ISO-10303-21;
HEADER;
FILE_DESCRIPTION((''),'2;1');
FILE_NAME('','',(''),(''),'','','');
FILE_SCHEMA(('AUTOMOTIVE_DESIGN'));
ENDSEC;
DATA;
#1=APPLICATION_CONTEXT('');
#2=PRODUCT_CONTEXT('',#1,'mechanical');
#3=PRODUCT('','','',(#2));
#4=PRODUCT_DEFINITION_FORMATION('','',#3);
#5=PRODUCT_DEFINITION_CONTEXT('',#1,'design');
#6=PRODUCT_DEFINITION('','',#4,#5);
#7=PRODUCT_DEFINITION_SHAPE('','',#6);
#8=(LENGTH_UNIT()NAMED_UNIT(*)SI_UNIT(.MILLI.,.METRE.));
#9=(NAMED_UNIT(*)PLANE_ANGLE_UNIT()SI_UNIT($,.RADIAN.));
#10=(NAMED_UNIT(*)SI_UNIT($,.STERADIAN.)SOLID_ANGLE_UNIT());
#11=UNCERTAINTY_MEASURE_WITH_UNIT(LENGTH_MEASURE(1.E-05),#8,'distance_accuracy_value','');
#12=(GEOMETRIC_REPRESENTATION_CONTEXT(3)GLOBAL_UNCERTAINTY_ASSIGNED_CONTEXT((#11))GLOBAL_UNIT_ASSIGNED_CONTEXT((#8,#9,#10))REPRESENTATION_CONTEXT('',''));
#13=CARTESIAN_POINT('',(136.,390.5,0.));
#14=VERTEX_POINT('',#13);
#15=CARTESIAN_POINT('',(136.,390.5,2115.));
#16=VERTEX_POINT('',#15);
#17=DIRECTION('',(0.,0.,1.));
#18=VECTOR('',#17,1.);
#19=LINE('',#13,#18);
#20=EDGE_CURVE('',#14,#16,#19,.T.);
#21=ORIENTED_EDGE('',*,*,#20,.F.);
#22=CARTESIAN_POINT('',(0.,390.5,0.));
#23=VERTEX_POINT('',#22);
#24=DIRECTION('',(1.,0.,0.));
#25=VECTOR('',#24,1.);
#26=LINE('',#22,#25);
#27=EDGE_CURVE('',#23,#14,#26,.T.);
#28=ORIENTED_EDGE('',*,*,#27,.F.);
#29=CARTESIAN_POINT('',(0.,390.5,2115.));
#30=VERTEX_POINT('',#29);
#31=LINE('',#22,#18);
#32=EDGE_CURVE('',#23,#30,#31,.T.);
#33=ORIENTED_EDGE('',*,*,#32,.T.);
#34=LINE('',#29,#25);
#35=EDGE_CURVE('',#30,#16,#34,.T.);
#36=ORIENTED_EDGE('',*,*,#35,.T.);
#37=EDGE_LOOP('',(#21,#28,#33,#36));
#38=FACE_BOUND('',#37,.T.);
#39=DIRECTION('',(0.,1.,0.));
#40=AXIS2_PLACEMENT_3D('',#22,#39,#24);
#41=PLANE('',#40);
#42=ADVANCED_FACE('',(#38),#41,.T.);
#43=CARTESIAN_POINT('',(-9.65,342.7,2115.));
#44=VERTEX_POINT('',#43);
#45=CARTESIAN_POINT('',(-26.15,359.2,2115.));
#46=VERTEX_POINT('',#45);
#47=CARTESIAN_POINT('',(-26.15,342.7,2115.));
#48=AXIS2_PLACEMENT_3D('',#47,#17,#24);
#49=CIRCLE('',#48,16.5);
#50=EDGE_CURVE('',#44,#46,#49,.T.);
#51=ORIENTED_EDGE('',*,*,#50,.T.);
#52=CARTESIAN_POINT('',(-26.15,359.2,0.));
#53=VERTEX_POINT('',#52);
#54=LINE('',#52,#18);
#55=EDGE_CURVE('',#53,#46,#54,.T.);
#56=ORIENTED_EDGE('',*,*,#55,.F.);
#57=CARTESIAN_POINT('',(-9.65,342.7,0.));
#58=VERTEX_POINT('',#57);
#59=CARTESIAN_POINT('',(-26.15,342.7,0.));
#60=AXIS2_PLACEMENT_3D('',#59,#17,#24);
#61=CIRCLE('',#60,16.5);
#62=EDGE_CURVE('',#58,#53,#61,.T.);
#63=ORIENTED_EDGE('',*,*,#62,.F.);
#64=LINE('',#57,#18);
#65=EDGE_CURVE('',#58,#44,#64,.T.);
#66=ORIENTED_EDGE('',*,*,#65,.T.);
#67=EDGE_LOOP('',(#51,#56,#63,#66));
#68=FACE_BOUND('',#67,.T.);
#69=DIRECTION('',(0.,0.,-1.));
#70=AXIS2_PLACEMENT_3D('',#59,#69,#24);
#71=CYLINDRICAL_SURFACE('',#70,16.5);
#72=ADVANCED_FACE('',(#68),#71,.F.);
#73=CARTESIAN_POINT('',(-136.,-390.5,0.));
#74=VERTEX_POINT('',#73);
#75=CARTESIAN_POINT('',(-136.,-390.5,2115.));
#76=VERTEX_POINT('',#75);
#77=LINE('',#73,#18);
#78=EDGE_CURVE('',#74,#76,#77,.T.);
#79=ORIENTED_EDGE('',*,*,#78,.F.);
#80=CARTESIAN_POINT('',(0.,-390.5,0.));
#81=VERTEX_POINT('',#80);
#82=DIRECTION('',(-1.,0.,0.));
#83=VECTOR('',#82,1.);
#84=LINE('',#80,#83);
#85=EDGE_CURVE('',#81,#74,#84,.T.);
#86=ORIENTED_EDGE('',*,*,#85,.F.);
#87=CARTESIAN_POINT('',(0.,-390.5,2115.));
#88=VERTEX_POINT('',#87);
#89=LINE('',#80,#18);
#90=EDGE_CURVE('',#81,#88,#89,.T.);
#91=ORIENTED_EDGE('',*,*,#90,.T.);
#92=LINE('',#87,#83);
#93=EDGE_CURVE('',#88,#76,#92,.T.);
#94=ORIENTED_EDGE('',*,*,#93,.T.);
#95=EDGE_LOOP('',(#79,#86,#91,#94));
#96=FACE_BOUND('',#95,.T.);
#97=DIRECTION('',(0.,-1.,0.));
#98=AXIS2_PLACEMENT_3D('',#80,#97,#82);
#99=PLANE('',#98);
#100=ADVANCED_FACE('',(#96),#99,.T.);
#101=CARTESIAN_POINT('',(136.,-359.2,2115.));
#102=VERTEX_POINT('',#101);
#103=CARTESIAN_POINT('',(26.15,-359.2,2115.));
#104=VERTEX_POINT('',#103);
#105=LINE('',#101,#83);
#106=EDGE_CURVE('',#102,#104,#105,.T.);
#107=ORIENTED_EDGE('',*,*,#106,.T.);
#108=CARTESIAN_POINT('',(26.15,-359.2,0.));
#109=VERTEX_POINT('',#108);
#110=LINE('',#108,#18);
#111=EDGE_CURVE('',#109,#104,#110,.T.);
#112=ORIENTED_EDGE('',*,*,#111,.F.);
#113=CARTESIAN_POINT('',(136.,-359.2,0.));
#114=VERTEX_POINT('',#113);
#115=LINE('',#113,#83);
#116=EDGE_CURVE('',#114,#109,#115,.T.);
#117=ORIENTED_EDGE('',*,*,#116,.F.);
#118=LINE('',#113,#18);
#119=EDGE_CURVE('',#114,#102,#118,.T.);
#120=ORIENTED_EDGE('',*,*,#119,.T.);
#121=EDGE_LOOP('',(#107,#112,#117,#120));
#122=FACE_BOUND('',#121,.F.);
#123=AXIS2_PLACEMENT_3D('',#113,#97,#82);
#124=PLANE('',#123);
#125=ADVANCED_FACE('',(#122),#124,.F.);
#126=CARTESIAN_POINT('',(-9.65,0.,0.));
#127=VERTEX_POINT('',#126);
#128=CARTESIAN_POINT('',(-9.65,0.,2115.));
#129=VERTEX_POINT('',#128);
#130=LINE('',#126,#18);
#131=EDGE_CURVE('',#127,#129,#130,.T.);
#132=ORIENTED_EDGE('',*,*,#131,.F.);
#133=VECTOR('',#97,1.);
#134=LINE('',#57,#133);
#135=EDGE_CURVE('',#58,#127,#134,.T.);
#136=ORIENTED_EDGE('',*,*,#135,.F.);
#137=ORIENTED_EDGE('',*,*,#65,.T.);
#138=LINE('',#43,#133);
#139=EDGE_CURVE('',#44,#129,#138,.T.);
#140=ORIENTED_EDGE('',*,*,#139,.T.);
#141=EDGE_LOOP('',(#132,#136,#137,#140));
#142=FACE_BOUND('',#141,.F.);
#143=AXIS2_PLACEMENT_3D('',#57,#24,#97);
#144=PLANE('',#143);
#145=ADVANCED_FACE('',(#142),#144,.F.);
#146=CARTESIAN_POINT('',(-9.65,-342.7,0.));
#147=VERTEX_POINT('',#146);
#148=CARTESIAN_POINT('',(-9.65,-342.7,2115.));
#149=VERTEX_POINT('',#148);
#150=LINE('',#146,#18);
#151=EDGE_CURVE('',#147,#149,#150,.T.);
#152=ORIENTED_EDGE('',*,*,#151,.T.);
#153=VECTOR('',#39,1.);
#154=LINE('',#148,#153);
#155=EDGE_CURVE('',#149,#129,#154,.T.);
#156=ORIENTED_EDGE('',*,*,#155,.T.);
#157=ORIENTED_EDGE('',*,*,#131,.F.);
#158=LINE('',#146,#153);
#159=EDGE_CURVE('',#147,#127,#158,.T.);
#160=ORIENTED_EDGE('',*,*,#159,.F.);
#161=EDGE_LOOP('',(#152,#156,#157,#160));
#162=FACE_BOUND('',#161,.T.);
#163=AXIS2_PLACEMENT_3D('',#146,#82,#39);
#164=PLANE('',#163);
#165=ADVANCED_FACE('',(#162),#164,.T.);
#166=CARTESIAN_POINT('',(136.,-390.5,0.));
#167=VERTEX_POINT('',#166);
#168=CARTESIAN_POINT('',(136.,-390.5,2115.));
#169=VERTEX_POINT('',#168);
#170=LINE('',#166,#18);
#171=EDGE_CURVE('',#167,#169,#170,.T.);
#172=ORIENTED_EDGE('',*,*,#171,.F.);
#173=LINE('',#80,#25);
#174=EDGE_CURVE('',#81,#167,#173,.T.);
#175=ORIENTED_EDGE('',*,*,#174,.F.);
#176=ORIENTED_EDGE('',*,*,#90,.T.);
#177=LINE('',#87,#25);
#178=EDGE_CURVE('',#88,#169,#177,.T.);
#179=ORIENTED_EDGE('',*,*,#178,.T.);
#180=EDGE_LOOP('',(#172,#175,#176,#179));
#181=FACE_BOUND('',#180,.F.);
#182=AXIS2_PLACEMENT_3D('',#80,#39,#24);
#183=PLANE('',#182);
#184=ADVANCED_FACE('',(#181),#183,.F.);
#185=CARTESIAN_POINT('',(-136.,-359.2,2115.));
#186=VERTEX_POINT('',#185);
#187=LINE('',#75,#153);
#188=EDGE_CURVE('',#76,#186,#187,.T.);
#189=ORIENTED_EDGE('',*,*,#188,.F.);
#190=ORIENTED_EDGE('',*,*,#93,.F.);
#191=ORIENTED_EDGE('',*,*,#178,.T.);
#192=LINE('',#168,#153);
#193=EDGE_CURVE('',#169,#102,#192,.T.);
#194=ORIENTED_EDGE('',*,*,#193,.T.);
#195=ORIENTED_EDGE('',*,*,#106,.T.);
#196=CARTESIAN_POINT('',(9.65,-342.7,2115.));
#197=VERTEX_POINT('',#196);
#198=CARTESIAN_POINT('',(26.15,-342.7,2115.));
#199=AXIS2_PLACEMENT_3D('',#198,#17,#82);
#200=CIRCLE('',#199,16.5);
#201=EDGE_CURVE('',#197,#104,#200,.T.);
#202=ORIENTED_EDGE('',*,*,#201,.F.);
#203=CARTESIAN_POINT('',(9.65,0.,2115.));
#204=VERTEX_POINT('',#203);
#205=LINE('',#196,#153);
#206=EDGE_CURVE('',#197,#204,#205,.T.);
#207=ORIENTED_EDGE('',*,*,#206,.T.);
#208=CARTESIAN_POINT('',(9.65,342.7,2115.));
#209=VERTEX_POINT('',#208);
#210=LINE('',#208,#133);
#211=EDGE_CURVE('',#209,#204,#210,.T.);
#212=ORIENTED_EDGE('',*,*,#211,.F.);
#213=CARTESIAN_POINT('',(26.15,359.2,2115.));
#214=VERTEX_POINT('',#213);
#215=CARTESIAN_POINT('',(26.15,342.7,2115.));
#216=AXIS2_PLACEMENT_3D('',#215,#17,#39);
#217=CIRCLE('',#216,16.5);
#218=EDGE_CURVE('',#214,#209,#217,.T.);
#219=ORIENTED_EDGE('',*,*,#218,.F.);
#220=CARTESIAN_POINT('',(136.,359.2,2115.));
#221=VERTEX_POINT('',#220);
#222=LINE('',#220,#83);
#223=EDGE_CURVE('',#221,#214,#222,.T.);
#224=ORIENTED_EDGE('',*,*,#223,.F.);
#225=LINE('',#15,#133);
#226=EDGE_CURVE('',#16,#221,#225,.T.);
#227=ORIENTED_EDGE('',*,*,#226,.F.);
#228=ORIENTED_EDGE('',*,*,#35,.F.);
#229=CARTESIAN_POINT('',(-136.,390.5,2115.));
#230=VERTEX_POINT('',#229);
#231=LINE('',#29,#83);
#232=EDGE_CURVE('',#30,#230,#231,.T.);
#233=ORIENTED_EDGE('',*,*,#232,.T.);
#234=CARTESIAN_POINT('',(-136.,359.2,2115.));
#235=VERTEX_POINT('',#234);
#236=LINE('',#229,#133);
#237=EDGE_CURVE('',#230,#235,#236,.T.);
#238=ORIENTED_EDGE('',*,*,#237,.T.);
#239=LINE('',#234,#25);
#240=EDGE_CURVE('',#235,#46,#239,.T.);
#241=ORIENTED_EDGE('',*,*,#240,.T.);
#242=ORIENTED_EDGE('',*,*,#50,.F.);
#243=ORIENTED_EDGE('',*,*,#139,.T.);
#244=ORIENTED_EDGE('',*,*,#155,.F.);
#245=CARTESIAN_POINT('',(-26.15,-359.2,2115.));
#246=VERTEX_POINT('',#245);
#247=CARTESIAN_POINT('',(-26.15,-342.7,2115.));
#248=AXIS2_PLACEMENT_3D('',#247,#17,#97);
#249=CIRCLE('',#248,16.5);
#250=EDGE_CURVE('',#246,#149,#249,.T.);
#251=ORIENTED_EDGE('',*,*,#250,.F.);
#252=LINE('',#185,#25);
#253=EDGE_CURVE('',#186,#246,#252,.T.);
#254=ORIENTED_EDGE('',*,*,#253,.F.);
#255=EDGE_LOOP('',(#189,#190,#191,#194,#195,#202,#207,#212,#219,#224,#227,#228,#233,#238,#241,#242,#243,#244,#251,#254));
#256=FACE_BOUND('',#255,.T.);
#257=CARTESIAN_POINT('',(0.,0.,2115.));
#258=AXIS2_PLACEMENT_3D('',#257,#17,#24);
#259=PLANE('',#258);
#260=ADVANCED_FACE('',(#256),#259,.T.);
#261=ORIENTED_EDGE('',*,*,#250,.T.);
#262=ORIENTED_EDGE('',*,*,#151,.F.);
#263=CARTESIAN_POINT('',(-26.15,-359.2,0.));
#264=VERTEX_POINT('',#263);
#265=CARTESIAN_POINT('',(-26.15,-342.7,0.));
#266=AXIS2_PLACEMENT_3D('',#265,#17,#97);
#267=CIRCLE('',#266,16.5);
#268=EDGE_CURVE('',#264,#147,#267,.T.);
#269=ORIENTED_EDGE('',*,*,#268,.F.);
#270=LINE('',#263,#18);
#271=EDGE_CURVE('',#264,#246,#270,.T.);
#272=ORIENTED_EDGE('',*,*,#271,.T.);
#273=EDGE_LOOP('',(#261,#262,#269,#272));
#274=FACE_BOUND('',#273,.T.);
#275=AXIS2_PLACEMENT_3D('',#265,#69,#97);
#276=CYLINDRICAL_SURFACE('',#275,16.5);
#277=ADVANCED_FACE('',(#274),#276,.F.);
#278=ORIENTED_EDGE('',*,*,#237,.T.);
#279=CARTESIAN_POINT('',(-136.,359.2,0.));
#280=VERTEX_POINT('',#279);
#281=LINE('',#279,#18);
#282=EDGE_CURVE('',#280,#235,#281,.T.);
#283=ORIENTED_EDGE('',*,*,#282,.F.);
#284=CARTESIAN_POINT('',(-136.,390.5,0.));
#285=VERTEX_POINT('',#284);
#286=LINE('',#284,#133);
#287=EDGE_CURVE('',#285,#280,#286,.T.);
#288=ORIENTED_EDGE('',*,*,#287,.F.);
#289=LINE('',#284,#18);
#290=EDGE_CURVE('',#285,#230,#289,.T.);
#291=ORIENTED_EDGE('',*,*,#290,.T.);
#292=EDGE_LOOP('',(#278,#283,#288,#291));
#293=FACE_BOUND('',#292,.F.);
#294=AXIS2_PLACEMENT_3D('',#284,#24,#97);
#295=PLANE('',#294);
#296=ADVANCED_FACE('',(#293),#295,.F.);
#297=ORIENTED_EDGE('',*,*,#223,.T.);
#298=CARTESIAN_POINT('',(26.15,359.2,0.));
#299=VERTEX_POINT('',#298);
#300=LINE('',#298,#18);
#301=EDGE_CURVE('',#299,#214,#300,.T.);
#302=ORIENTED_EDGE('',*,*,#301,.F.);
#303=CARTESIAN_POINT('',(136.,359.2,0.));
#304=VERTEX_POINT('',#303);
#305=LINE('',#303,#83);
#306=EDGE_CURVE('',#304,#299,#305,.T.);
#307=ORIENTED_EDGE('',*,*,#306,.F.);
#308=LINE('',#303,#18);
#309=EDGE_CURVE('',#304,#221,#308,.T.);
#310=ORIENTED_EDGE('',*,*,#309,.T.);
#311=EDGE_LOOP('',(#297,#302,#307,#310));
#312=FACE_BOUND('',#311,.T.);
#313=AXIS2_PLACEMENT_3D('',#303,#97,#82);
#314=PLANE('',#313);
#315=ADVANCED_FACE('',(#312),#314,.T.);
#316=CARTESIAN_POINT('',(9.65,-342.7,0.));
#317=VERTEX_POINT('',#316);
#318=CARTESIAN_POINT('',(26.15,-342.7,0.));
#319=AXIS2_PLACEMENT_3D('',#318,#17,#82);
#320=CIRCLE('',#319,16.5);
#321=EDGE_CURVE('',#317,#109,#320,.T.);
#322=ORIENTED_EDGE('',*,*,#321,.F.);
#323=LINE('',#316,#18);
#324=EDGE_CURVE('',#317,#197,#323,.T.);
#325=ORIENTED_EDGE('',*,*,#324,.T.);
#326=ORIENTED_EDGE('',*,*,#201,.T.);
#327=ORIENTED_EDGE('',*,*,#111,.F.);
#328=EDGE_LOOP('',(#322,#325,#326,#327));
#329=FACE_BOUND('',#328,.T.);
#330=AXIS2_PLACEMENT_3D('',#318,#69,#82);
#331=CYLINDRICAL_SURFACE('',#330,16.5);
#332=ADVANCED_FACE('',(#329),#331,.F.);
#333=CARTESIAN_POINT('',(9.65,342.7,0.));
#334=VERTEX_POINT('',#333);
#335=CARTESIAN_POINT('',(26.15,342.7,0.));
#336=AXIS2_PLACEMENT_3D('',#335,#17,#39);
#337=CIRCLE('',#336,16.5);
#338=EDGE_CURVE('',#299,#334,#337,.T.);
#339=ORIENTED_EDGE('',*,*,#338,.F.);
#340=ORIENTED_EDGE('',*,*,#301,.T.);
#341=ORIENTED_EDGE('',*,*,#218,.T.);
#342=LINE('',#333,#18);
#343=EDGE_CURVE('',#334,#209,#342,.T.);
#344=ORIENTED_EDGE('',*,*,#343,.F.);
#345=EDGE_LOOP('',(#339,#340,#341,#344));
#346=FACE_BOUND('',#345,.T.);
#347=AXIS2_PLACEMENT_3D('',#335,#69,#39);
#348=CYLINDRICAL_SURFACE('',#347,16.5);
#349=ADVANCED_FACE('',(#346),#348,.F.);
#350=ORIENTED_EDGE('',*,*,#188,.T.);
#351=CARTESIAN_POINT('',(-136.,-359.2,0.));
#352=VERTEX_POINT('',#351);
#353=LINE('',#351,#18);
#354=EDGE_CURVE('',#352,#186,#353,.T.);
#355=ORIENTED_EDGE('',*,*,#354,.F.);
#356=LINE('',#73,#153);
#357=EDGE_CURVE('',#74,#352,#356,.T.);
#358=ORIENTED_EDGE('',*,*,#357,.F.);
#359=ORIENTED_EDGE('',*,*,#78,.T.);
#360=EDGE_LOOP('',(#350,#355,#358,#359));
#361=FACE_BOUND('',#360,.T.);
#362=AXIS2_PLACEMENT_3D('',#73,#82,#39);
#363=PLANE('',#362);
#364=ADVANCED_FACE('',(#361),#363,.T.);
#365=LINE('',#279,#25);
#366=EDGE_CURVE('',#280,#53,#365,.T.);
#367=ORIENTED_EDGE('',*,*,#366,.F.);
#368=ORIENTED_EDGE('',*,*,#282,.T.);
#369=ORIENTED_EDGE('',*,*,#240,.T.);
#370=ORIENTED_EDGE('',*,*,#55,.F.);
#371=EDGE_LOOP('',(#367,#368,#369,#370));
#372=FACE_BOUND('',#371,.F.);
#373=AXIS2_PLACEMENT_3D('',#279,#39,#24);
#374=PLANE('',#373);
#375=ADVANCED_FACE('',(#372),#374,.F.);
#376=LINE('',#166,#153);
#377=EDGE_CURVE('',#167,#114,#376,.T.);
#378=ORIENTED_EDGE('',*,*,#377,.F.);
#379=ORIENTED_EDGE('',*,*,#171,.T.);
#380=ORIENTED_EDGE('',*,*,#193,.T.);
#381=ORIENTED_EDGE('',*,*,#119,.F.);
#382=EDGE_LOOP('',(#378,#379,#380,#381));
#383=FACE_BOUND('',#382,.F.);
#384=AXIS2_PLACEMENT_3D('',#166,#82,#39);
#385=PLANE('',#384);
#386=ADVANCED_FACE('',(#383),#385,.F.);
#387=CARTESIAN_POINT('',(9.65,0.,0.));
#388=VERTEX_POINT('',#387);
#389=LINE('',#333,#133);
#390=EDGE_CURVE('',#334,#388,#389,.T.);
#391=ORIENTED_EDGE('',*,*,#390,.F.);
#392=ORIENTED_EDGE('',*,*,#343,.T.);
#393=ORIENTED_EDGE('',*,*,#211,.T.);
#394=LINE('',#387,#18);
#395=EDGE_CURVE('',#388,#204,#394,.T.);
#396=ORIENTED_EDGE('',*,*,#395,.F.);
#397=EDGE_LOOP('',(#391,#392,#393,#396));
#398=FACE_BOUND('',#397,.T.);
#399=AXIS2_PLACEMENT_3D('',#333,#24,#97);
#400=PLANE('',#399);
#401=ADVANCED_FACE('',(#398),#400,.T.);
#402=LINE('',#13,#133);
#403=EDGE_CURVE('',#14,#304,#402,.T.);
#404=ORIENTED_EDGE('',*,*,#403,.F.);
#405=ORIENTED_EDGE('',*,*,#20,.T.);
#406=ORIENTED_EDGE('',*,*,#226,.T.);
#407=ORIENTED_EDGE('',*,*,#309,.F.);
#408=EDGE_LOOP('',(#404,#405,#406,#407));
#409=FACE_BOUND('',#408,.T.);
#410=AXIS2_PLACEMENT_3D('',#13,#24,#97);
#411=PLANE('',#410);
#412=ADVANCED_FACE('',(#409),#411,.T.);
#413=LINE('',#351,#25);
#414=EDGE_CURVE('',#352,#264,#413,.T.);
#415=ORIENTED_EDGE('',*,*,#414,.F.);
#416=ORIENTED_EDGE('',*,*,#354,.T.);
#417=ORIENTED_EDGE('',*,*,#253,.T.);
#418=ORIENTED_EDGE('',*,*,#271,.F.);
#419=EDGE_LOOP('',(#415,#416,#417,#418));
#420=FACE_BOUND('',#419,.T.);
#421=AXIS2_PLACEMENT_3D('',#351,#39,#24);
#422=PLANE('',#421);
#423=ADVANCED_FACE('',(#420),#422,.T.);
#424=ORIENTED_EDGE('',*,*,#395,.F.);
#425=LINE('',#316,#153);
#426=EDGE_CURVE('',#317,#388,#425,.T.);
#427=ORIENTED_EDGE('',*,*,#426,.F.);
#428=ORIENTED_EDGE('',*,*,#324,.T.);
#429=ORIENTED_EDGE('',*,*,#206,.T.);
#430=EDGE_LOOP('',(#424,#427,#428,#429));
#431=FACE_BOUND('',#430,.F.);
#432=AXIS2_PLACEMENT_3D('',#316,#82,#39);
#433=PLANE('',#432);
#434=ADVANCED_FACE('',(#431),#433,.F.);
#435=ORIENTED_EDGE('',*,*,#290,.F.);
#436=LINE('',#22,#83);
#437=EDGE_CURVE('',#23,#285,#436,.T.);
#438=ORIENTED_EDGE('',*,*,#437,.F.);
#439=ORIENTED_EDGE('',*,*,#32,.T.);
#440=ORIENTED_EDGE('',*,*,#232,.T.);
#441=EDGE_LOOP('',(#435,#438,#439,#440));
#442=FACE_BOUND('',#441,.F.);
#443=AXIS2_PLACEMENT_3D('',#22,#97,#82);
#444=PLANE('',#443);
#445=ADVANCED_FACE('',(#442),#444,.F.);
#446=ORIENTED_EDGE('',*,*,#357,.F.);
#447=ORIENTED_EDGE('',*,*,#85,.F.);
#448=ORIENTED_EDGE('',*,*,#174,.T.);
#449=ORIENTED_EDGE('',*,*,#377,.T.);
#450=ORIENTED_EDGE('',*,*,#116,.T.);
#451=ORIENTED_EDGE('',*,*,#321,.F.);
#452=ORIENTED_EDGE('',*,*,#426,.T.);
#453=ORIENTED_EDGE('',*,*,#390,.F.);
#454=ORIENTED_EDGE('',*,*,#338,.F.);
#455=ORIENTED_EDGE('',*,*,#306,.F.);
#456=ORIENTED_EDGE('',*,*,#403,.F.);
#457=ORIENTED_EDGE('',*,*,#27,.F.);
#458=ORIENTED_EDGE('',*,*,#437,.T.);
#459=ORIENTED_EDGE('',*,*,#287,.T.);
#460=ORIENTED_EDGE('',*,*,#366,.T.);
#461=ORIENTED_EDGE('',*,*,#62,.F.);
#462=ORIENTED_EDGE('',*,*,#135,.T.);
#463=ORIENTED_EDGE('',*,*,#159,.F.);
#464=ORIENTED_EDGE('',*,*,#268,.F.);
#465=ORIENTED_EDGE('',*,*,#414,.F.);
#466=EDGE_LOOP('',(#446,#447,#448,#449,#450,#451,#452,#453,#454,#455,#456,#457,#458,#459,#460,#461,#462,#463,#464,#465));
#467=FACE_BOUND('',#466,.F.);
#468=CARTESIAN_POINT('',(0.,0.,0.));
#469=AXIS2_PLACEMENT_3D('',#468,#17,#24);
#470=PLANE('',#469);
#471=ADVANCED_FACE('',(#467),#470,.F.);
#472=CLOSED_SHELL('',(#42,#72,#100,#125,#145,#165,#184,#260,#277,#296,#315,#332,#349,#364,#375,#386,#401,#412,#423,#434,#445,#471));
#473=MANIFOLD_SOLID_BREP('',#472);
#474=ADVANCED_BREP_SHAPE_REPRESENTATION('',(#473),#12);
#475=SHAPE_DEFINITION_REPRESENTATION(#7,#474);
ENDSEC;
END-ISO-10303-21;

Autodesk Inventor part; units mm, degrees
ref_plane "YZ Plane" through (0, 0, 0) normal (1, 0, 0) x (0, 1, 0)
ref_plane "Start plane" through (0, 0, 0) normal (0, 0, 1) x (1, 0, 0)
ref_plane "End plane" through (0, 0, 2115) normal (0, 0, 1) x (1, 0, 0)
sketch "Sketch" plane through (0, 0, 0) normal (0, 0, 1) x (1, 0, 0)
  line L0 (-136, -390.5) -> (-136, -359.2)
  line L1 (-136, -359.2) -> (-26.15, -359.2)
  line L2 (-9.65, -342.7) -> (-9.65, 0)
  line L3 (-9.65, 0) -> (0, 0) construction
  line L4 (0, 0) -> (0, -390.5) construction
  line L5 (0, -390.5) -> (-136, -390.5)
  line L6 (-60, 0) -> (80, 0) construction
  line L7 (0, -60) -> (0, 80) construction
  line L8 (136, -390.5) -> (136, -359.2)
  line L9 (136, -359.2) -> (26.15, -359.2)
  line L10 (9.65, -342.7) -> (9.65, 0)
  line L11 (9.65, 0) -> (0, 0) construction
  line L12 (0, -390.5) -> (136, -390.5)
  line L13 (-136, 390.5) -> (-136, 359.2)
  line L14 (-136, 359.2) -> (-26.15, 359.2)
  line L15 (-9.65, 342.7) -> (-9.65, 0)
  line L16 (0, 390.5) -> (-136, 390.5)
  line L17 (136, 390.5) -> (136, 359.2)
  line L18 (136, 359.2) -> (26.15, 359.2)
  line L19 (0, 390.5) -> (136, 390.5)
  line L20 (9.65, 342.7) -> (9.65, 0)
  arc A0 (-9.65, 342.7) -> (-26.15, 359.2) centre (-26.15, 342.7) ccw
  arc A1 (26.15, 359.2) -> (9.65, 342.7) centre (26.15, 342.7) ccw
  arc A2 (9.65, -342.7) -> (26.15, -359.2) centre (26.15, -342.7) ccw
  arc A3 (-26.15, -359.2) -> (-9.65, -342.7) centre (-26.15, -342.7) ccw
  line L21 (0, 108) -> (0, -88) construction
  line L22 (-88, 0) -> (108, 0) construction
  point P0 (-9.65, -359.2)
  point P1 (9.65, -359.2)
  point P2 (-9.65, 359.2)
  point P3 (9.65, 359.2)
  dimension "d1" = 390.5
  dimension "d2" = 31.3
  dimension "d3" = 136
  dimension "d4" = 9.65
  dimension "d10" = 16.5
extrude "Body" add sketch "Sketch" along normal up to surface (2115 mm away) from surface at 0
sketch "Sketch4" plane through (0, 0, 0) normal (0, 0, 1) x (1, 0, 0)
  line L0 (0, 0) -> (10, 0)
ref_plane "Work Plane3" through (0, 0, 0) normal (0, -1, 0) x (1, 0, 0)
sketch "Sketch5" plane through (0, 0, 0) normal (0, -1, 0) x (1, 0, 0)
  line L0 (-2, 0) -> (12, 0) projected
  line L1 (-2, 2115) -> (12, 2115) projected
  dimension "d14" = 2115
equation "\"d1\" = 0.5 * G_H"
equation "\"d2\" = G_T1"
equation "\"d3\" = 0.5 * G_W"
equation "\"d4\" = 0.5 * G_T"
equation "\"d10\" = G_IR"
equation "\"d5\" = G_L"
equation "\"G_W\" = 272"
equation "\"G_H\" = 781"
equation "\"G_T\" = 19.3"
equation "\"G_T1\" = 31.3"
equation "\"G_IR\" = 16.5"
equation "\"G_L\" = d14"
equation "\"G_OFFSET_START\" = 0"
equation "\"G_OFFSET_END\" = 0"
equation "\"d12\" = G_OFFSET_END + B_L"
equation "\"B_L\" = 2115"
properties part number "AS 3679-1990 - 760 UB - 244 - 2115" material "Steel, Mild"
